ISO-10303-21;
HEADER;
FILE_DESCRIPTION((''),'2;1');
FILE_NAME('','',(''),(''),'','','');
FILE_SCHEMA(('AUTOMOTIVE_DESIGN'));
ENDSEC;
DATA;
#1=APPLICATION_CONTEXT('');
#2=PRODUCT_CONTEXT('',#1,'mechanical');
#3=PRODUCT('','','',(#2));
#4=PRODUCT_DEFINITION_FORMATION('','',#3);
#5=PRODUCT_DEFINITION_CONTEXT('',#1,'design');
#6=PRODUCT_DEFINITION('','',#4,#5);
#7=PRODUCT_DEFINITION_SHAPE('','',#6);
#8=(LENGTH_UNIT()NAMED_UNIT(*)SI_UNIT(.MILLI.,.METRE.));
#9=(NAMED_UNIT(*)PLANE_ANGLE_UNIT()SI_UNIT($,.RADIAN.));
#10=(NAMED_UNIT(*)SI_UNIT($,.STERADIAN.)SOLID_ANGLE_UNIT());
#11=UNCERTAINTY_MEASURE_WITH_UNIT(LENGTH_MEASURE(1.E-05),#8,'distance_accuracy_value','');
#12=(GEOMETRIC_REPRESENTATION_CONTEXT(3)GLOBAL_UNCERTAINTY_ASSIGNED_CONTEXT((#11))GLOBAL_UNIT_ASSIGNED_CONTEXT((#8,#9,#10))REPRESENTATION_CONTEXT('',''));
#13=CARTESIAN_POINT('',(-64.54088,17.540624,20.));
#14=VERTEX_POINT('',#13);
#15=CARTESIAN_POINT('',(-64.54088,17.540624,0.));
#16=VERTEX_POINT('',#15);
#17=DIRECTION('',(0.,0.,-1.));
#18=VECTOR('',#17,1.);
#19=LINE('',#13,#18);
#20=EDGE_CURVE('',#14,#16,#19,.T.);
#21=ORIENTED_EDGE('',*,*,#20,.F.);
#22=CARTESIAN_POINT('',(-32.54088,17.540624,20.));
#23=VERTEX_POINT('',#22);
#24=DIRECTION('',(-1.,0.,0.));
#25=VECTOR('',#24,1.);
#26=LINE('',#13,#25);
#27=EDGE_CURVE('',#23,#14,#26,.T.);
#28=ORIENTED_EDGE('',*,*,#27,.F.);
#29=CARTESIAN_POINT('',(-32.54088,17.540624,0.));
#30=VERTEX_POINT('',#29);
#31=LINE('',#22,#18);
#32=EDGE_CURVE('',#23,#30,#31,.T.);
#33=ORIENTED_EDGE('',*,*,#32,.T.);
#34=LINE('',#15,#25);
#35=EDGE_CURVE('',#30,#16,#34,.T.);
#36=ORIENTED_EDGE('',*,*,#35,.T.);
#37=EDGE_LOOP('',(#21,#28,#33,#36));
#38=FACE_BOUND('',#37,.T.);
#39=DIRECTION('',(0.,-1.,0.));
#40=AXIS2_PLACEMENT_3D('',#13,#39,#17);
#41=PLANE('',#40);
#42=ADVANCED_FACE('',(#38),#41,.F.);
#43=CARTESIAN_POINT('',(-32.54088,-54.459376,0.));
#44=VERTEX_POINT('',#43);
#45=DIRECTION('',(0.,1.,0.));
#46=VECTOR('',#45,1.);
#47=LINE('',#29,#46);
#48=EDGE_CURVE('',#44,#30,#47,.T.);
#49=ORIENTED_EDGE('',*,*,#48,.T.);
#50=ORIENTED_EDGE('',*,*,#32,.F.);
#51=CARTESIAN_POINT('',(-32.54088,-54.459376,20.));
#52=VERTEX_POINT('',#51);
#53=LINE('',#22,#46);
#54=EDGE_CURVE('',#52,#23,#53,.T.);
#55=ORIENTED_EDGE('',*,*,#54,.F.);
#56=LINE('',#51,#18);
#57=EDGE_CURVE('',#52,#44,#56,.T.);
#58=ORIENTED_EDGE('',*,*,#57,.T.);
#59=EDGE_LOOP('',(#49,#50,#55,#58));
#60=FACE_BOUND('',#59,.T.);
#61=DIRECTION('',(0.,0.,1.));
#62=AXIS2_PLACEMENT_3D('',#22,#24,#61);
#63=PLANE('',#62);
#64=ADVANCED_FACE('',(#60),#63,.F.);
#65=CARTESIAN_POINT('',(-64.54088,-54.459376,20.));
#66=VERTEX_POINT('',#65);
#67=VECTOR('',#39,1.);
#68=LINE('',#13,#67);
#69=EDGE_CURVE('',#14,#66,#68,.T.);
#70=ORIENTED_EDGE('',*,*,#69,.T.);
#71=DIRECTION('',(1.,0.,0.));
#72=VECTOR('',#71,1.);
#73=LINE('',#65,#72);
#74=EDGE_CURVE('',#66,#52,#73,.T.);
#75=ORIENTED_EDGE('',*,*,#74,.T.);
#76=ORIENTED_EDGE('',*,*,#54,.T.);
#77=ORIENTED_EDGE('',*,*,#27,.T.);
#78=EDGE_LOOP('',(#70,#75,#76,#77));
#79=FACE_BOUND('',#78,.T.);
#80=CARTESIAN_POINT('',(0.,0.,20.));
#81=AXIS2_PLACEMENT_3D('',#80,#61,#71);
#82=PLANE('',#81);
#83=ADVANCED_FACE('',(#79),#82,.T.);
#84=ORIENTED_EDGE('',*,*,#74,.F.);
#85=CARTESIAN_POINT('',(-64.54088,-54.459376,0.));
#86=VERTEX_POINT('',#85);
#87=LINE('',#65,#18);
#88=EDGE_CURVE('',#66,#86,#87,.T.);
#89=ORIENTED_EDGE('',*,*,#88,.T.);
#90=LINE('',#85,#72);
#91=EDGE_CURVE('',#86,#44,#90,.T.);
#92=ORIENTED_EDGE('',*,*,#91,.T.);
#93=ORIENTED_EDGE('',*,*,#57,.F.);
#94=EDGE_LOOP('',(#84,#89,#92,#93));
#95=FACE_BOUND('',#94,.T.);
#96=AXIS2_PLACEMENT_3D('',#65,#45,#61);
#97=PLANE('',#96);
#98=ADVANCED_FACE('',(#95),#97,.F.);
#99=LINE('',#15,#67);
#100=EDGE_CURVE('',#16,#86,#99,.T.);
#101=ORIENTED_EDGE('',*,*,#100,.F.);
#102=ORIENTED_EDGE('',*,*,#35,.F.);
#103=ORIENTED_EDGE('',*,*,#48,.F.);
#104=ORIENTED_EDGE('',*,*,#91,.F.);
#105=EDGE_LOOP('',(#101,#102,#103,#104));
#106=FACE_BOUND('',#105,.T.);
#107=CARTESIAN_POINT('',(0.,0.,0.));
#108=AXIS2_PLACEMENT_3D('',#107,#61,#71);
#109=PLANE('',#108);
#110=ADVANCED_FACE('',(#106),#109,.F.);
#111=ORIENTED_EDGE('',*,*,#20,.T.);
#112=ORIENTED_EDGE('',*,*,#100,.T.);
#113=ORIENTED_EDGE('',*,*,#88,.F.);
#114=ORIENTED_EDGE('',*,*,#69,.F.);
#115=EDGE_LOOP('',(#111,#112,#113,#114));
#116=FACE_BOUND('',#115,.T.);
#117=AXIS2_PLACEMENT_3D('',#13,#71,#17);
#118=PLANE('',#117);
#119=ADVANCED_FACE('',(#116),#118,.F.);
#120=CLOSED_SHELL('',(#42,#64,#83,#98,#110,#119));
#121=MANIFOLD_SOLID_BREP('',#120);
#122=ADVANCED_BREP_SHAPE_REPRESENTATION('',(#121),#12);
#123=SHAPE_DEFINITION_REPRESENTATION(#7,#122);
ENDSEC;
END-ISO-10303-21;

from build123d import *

# Parameters (mm, degrees)
SKETCH_1_W      = 32
SKETCH_1_H      = 72
EXTRUDE_1_DEPTH = 20


with BuildPart() as part:
    # ｽｹｯﾁ1 → ﾎﾞｽ - 押し出し1 (new body)
    with BuildSketch(Plane.XY):
        with Locations((-48.540879953, -18.459375887)):
            Rectangle(SKETCH_1_W, SKETCH_1_H)
    extrude(amount=EXTRUDE_1_DEPTH)


solid = part.part
